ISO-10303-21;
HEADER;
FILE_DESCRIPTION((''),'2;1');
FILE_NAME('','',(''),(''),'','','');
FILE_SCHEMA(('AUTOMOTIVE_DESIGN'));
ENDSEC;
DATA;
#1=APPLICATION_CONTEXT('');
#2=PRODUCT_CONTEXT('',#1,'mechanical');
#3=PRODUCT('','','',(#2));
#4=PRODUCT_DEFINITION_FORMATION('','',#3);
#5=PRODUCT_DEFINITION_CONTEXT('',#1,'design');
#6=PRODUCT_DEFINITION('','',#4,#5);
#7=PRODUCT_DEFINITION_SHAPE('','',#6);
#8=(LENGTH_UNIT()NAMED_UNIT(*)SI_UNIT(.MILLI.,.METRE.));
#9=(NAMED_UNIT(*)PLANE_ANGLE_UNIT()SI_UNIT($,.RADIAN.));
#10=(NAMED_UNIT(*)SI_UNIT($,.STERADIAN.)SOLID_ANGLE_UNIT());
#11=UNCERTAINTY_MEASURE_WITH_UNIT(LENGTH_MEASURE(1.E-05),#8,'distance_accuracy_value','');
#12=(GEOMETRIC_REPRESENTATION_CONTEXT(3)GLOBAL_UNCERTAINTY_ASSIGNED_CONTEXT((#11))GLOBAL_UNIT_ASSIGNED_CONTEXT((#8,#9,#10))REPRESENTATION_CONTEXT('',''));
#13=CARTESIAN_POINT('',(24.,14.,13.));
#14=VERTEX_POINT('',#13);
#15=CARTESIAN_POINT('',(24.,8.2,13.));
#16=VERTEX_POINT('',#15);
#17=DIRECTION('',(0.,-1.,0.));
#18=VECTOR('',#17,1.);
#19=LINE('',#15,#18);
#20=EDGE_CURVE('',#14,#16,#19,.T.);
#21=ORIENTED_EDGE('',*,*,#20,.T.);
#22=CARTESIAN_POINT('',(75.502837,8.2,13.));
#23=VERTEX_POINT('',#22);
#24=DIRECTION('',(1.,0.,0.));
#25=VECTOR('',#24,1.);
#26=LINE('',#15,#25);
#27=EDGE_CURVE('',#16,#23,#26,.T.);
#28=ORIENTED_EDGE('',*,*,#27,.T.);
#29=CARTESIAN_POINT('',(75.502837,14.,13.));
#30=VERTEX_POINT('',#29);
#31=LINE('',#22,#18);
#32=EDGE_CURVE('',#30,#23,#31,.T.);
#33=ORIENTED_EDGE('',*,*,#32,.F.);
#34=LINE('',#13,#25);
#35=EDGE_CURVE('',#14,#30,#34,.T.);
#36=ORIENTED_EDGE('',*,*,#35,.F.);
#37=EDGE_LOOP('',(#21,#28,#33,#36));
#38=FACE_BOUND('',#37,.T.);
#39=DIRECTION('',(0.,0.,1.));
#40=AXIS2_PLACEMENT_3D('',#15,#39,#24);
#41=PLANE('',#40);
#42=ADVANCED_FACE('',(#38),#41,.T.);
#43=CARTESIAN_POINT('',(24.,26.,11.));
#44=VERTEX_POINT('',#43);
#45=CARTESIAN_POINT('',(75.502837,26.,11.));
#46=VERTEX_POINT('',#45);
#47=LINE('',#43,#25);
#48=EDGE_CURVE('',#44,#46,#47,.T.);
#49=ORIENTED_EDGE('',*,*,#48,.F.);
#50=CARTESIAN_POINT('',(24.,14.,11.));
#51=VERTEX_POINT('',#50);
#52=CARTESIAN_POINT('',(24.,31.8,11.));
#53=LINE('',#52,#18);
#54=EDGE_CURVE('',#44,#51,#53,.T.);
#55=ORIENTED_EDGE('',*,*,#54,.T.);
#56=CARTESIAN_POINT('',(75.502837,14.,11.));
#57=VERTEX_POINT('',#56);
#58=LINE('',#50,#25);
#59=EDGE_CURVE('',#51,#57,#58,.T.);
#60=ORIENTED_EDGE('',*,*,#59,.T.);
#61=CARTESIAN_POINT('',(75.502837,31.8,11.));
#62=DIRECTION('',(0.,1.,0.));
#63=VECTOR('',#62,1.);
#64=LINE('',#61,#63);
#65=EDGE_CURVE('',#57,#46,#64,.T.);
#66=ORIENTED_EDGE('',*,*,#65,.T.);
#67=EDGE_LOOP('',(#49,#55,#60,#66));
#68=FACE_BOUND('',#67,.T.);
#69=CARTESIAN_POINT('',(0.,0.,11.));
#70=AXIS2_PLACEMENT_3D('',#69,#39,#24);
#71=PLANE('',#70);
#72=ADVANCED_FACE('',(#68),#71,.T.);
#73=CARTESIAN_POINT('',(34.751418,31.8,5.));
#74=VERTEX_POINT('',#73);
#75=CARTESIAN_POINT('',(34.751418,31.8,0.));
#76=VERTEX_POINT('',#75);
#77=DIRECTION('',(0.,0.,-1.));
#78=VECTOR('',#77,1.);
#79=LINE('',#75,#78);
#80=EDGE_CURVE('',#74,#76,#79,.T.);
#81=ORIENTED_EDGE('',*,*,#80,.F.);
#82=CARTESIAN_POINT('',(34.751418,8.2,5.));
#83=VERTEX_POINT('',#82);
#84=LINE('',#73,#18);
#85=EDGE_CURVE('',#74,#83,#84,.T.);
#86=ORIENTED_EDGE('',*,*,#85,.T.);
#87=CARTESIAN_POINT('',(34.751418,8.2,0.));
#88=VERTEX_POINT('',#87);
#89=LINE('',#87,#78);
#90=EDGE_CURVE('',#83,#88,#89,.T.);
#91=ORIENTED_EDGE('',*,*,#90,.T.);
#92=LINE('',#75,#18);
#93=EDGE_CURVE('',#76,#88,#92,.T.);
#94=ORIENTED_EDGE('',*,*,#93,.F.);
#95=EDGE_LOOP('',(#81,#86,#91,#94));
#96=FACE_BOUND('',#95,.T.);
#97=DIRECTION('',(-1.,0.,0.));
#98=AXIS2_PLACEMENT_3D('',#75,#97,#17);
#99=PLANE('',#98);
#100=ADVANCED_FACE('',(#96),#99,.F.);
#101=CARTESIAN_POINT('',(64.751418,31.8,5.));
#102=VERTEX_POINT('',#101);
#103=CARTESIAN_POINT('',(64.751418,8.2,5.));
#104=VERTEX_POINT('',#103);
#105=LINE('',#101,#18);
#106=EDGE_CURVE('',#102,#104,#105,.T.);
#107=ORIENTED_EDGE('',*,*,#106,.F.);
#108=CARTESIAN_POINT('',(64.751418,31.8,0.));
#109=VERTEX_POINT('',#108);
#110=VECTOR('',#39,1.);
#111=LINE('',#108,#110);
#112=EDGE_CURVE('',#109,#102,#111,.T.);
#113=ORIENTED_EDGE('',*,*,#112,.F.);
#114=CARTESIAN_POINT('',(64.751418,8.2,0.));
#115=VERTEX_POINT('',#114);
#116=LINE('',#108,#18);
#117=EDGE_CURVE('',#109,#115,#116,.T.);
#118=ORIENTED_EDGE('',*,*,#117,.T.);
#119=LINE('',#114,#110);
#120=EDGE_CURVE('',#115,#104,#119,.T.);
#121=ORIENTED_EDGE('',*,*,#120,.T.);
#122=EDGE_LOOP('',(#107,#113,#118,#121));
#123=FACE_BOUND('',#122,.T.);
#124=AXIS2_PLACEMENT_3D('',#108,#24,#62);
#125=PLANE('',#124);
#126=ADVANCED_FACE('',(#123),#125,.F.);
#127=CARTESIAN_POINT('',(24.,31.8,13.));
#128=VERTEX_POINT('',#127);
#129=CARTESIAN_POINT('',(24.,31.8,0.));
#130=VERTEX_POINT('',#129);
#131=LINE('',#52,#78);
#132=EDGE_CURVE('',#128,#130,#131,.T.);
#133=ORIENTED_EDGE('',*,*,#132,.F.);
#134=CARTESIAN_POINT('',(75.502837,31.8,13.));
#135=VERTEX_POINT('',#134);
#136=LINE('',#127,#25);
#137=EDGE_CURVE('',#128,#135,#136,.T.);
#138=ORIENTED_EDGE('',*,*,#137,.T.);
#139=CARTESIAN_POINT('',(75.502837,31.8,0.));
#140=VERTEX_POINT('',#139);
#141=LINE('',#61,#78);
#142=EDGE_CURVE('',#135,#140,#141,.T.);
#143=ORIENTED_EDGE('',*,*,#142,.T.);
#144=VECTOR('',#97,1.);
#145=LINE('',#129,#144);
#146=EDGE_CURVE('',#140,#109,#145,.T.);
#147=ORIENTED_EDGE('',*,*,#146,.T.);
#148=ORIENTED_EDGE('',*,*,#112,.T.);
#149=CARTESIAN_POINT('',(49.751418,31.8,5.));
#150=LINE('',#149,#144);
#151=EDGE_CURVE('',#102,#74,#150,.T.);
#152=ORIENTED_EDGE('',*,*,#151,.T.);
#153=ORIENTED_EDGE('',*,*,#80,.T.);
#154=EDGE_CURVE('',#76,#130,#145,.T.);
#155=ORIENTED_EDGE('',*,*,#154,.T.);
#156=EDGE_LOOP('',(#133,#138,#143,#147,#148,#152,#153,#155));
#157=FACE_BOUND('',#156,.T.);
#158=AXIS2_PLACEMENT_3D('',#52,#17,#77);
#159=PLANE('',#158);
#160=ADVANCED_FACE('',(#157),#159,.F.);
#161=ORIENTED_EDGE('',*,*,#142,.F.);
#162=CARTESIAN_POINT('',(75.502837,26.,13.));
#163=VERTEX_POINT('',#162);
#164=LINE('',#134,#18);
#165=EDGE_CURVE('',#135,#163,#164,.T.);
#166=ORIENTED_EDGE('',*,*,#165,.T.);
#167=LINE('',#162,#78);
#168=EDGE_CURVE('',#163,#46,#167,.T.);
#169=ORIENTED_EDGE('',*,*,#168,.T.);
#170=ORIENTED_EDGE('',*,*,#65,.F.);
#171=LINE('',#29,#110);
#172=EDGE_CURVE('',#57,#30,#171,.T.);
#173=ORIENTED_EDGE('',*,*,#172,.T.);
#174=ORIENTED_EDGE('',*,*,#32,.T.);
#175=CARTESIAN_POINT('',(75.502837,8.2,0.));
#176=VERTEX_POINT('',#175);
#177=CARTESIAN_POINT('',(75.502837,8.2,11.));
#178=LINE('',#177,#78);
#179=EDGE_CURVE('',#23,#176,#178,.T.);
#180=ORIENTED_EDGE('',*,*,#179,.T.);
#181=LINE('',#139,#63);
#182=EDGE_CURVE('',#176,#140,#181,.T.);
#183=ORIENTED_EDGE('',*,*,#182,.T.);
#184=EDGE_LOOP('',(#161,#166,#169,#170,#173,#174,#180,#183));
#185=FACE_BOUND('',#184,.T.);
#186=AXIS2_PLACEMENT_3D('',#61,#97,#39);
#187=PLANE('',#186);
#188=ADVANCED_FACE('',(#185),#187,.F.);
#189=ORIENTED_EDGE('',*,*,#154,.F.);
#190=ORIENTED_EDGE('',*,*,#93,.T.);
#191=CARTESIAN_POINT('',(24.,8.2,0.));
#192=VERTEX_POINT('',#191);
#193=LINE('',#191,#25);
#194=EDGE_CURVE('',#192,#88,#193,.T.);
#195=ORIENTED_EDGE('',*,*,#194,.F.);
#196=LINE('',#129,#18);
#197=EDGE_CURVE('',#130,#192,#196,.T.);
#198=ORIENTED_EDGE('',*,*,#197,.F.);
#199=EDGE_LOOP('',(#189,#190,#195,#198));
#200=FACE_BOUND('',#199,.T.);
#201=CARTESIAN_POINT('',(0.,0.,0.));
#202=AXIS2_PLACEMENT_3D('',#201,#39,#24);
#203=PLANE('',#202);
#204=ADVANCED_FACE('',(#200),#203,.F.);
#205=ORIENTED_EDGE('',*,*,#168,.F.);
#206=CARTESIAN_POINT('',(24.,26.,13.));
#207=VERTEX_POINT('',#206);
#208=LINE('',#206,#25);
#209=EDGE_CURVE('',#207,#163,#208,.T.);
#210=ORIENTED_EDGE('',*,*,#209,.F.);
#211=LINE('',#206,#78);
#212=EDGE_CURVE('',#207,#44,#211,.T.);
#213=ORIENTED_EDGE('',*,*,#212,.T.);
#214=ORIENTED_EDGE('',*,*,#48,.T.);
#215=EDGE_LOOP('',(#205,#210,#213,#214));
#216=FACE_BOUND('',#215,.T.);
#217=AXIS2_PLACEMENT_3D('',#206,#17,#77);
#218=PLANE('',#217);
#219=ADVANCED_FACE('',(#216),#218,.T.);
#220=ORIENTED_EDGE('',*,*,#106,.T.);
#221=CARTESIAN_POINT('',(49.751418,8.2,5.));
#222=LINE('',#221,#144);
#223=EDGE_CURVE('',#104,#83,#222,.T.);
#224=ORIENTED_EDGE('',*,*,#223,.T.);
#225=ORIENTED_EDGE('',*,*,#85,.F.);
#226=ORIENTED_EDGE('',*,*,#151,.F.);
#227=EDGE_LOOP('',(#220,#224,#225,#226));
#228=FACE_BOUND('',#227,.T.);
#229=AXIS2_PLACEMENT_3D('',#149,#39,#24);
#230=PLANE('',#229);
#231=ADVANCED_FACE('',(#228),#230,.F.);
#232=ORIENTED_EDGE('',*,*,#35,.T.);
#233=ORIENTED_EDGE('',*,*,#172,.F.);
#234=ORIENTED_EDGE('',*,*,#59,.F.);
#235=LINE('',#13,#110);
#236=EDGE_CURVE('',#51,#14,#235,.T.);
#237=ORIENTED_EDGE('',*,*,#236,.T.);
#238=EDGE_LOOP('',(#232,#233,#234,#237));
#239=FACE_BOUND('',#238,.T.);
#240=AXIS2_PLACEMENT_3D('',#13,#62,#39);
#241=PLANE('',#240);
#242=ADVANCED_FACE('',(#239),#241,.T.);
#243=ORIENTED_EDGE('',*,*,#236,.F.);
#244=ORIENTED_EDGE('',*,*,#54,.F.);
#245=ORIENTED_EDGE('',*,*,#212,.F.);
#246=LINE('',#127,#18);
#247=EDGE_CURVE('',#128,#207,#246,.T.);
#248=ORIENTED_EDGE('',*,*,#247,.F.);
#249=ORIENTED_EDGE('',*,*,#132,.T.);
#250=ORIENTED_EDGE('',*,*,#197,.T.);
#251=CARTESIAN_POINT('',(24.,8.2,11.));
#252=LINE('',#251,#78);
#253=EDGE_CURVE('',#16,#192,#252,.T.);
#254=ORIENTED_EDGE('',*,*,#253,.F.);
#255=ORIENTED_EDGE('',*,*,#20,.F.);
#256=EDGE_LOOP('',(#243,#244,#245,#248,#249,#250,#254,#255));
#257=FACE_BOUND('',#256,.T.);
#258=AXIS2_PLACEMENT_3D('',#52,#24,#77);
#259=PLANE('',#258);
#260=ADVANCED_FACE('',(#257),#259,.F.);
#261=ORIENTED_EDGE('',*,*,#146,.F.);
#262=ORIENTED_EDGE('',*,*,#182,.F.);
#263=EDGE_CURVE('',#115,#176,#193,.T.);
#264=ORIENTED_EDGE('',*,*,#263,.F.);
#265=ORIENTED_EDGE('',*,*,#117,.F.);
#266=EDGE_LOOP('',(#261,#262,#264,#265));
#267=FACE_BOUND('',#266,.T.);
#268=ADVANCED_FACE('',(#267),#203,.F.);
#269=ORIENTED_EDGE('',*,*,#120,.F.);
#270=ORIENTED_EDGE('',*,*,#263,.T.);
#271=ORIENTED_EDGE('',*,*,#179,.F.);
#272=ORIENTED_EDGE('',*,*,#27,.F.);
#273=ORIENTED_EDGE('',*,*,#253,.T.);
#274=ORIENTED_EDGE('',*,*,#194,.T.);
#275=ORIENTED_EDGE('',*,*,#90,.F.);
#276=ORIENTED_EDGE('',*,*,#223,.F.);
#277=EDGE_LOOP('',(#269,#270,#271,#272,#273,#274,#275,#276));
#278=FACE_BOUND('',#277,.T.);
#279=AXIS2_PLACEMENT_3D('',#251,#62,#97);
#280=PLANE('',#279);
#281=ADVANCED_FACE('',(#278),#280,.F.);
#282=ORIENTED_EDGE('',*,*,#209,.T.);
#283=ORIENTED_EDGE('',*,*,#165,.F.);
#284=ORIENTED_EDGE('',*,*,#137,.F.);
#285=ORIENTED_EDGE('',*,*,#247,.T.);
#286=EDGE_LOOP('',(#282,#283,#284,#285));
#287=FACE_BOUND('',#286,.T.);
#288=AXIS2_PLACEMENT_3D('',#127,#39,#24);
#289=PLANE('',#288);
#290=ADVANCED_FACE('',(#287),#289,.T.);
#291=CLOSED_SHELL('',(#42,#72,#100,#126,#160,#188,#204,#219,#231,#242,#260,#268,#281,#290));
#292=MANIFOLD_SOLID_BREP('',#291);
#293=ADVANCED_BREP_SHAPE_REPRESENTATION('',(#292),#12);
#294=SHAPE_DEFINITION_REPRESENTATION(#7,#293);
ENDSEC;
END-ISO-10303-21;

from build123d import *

# Parameters (mm, degrees)
CROQUIS2_W              = 51.502836605
CROQUIS2_H              = 23.6
SALIENTE_EXTRUIR1_DEPTH = 11
CROQUIS4_W              = 2
CROQUIS4_H              = 5.8
SALIENTE_EXTRUIR2_DEPTH = 51.502837
CORTAR_EXTRUIR1_START   = -23.6
CORTAR_EXTRUIR1_DEPTH   = 23.6


with BuildPart() as part:
    # Croquis2 → Saliente-Extruir1 (new body)
    with BuildSketch(Plane.XY):
        with Locations((49.751418302, 20)):
            Rectangle(CROQUIS2_W, CROQUIS2_H)
    extrude(amount=SALIENTE_EXTRUIR1_DEPTH)

    # Croquis4 → Saliente-Extruir2 (add)
    with BuildSketch(Plane(origin=(75.502836605, 0, 0), x_dir=(0, 0, -1), z_dir=(1, 0, 0))):
        with Locations((-12, 11.1)):
            Rectangle(CROQUIS4_W, CROQUIS4_H)
        with Locations((-12, 28.9)):
            Rectangle(CROQUIS4_W, CROQUIS4_H)
    extrude(amount=-SALIENTE_EXTRUIR2_DEPTH)

    # Croquis5 → Cortar-Extruir1 (cut)
    with BuildSketch(Plane.XZ.offset(-8.2).offset(CORTAR_EXTRUIR1_START)):
        Polygon((49.751418302, 0), (34.751418302, 0), (34.751418302, 5), (49.751418302, 5), (64.751418302, 5), (64.751418302, 0), align=None)
    extrude(amount=CORTAR_EXTRUIR1_DEPTH, mode=Mode.SUBTRACT)


solid = part.part
